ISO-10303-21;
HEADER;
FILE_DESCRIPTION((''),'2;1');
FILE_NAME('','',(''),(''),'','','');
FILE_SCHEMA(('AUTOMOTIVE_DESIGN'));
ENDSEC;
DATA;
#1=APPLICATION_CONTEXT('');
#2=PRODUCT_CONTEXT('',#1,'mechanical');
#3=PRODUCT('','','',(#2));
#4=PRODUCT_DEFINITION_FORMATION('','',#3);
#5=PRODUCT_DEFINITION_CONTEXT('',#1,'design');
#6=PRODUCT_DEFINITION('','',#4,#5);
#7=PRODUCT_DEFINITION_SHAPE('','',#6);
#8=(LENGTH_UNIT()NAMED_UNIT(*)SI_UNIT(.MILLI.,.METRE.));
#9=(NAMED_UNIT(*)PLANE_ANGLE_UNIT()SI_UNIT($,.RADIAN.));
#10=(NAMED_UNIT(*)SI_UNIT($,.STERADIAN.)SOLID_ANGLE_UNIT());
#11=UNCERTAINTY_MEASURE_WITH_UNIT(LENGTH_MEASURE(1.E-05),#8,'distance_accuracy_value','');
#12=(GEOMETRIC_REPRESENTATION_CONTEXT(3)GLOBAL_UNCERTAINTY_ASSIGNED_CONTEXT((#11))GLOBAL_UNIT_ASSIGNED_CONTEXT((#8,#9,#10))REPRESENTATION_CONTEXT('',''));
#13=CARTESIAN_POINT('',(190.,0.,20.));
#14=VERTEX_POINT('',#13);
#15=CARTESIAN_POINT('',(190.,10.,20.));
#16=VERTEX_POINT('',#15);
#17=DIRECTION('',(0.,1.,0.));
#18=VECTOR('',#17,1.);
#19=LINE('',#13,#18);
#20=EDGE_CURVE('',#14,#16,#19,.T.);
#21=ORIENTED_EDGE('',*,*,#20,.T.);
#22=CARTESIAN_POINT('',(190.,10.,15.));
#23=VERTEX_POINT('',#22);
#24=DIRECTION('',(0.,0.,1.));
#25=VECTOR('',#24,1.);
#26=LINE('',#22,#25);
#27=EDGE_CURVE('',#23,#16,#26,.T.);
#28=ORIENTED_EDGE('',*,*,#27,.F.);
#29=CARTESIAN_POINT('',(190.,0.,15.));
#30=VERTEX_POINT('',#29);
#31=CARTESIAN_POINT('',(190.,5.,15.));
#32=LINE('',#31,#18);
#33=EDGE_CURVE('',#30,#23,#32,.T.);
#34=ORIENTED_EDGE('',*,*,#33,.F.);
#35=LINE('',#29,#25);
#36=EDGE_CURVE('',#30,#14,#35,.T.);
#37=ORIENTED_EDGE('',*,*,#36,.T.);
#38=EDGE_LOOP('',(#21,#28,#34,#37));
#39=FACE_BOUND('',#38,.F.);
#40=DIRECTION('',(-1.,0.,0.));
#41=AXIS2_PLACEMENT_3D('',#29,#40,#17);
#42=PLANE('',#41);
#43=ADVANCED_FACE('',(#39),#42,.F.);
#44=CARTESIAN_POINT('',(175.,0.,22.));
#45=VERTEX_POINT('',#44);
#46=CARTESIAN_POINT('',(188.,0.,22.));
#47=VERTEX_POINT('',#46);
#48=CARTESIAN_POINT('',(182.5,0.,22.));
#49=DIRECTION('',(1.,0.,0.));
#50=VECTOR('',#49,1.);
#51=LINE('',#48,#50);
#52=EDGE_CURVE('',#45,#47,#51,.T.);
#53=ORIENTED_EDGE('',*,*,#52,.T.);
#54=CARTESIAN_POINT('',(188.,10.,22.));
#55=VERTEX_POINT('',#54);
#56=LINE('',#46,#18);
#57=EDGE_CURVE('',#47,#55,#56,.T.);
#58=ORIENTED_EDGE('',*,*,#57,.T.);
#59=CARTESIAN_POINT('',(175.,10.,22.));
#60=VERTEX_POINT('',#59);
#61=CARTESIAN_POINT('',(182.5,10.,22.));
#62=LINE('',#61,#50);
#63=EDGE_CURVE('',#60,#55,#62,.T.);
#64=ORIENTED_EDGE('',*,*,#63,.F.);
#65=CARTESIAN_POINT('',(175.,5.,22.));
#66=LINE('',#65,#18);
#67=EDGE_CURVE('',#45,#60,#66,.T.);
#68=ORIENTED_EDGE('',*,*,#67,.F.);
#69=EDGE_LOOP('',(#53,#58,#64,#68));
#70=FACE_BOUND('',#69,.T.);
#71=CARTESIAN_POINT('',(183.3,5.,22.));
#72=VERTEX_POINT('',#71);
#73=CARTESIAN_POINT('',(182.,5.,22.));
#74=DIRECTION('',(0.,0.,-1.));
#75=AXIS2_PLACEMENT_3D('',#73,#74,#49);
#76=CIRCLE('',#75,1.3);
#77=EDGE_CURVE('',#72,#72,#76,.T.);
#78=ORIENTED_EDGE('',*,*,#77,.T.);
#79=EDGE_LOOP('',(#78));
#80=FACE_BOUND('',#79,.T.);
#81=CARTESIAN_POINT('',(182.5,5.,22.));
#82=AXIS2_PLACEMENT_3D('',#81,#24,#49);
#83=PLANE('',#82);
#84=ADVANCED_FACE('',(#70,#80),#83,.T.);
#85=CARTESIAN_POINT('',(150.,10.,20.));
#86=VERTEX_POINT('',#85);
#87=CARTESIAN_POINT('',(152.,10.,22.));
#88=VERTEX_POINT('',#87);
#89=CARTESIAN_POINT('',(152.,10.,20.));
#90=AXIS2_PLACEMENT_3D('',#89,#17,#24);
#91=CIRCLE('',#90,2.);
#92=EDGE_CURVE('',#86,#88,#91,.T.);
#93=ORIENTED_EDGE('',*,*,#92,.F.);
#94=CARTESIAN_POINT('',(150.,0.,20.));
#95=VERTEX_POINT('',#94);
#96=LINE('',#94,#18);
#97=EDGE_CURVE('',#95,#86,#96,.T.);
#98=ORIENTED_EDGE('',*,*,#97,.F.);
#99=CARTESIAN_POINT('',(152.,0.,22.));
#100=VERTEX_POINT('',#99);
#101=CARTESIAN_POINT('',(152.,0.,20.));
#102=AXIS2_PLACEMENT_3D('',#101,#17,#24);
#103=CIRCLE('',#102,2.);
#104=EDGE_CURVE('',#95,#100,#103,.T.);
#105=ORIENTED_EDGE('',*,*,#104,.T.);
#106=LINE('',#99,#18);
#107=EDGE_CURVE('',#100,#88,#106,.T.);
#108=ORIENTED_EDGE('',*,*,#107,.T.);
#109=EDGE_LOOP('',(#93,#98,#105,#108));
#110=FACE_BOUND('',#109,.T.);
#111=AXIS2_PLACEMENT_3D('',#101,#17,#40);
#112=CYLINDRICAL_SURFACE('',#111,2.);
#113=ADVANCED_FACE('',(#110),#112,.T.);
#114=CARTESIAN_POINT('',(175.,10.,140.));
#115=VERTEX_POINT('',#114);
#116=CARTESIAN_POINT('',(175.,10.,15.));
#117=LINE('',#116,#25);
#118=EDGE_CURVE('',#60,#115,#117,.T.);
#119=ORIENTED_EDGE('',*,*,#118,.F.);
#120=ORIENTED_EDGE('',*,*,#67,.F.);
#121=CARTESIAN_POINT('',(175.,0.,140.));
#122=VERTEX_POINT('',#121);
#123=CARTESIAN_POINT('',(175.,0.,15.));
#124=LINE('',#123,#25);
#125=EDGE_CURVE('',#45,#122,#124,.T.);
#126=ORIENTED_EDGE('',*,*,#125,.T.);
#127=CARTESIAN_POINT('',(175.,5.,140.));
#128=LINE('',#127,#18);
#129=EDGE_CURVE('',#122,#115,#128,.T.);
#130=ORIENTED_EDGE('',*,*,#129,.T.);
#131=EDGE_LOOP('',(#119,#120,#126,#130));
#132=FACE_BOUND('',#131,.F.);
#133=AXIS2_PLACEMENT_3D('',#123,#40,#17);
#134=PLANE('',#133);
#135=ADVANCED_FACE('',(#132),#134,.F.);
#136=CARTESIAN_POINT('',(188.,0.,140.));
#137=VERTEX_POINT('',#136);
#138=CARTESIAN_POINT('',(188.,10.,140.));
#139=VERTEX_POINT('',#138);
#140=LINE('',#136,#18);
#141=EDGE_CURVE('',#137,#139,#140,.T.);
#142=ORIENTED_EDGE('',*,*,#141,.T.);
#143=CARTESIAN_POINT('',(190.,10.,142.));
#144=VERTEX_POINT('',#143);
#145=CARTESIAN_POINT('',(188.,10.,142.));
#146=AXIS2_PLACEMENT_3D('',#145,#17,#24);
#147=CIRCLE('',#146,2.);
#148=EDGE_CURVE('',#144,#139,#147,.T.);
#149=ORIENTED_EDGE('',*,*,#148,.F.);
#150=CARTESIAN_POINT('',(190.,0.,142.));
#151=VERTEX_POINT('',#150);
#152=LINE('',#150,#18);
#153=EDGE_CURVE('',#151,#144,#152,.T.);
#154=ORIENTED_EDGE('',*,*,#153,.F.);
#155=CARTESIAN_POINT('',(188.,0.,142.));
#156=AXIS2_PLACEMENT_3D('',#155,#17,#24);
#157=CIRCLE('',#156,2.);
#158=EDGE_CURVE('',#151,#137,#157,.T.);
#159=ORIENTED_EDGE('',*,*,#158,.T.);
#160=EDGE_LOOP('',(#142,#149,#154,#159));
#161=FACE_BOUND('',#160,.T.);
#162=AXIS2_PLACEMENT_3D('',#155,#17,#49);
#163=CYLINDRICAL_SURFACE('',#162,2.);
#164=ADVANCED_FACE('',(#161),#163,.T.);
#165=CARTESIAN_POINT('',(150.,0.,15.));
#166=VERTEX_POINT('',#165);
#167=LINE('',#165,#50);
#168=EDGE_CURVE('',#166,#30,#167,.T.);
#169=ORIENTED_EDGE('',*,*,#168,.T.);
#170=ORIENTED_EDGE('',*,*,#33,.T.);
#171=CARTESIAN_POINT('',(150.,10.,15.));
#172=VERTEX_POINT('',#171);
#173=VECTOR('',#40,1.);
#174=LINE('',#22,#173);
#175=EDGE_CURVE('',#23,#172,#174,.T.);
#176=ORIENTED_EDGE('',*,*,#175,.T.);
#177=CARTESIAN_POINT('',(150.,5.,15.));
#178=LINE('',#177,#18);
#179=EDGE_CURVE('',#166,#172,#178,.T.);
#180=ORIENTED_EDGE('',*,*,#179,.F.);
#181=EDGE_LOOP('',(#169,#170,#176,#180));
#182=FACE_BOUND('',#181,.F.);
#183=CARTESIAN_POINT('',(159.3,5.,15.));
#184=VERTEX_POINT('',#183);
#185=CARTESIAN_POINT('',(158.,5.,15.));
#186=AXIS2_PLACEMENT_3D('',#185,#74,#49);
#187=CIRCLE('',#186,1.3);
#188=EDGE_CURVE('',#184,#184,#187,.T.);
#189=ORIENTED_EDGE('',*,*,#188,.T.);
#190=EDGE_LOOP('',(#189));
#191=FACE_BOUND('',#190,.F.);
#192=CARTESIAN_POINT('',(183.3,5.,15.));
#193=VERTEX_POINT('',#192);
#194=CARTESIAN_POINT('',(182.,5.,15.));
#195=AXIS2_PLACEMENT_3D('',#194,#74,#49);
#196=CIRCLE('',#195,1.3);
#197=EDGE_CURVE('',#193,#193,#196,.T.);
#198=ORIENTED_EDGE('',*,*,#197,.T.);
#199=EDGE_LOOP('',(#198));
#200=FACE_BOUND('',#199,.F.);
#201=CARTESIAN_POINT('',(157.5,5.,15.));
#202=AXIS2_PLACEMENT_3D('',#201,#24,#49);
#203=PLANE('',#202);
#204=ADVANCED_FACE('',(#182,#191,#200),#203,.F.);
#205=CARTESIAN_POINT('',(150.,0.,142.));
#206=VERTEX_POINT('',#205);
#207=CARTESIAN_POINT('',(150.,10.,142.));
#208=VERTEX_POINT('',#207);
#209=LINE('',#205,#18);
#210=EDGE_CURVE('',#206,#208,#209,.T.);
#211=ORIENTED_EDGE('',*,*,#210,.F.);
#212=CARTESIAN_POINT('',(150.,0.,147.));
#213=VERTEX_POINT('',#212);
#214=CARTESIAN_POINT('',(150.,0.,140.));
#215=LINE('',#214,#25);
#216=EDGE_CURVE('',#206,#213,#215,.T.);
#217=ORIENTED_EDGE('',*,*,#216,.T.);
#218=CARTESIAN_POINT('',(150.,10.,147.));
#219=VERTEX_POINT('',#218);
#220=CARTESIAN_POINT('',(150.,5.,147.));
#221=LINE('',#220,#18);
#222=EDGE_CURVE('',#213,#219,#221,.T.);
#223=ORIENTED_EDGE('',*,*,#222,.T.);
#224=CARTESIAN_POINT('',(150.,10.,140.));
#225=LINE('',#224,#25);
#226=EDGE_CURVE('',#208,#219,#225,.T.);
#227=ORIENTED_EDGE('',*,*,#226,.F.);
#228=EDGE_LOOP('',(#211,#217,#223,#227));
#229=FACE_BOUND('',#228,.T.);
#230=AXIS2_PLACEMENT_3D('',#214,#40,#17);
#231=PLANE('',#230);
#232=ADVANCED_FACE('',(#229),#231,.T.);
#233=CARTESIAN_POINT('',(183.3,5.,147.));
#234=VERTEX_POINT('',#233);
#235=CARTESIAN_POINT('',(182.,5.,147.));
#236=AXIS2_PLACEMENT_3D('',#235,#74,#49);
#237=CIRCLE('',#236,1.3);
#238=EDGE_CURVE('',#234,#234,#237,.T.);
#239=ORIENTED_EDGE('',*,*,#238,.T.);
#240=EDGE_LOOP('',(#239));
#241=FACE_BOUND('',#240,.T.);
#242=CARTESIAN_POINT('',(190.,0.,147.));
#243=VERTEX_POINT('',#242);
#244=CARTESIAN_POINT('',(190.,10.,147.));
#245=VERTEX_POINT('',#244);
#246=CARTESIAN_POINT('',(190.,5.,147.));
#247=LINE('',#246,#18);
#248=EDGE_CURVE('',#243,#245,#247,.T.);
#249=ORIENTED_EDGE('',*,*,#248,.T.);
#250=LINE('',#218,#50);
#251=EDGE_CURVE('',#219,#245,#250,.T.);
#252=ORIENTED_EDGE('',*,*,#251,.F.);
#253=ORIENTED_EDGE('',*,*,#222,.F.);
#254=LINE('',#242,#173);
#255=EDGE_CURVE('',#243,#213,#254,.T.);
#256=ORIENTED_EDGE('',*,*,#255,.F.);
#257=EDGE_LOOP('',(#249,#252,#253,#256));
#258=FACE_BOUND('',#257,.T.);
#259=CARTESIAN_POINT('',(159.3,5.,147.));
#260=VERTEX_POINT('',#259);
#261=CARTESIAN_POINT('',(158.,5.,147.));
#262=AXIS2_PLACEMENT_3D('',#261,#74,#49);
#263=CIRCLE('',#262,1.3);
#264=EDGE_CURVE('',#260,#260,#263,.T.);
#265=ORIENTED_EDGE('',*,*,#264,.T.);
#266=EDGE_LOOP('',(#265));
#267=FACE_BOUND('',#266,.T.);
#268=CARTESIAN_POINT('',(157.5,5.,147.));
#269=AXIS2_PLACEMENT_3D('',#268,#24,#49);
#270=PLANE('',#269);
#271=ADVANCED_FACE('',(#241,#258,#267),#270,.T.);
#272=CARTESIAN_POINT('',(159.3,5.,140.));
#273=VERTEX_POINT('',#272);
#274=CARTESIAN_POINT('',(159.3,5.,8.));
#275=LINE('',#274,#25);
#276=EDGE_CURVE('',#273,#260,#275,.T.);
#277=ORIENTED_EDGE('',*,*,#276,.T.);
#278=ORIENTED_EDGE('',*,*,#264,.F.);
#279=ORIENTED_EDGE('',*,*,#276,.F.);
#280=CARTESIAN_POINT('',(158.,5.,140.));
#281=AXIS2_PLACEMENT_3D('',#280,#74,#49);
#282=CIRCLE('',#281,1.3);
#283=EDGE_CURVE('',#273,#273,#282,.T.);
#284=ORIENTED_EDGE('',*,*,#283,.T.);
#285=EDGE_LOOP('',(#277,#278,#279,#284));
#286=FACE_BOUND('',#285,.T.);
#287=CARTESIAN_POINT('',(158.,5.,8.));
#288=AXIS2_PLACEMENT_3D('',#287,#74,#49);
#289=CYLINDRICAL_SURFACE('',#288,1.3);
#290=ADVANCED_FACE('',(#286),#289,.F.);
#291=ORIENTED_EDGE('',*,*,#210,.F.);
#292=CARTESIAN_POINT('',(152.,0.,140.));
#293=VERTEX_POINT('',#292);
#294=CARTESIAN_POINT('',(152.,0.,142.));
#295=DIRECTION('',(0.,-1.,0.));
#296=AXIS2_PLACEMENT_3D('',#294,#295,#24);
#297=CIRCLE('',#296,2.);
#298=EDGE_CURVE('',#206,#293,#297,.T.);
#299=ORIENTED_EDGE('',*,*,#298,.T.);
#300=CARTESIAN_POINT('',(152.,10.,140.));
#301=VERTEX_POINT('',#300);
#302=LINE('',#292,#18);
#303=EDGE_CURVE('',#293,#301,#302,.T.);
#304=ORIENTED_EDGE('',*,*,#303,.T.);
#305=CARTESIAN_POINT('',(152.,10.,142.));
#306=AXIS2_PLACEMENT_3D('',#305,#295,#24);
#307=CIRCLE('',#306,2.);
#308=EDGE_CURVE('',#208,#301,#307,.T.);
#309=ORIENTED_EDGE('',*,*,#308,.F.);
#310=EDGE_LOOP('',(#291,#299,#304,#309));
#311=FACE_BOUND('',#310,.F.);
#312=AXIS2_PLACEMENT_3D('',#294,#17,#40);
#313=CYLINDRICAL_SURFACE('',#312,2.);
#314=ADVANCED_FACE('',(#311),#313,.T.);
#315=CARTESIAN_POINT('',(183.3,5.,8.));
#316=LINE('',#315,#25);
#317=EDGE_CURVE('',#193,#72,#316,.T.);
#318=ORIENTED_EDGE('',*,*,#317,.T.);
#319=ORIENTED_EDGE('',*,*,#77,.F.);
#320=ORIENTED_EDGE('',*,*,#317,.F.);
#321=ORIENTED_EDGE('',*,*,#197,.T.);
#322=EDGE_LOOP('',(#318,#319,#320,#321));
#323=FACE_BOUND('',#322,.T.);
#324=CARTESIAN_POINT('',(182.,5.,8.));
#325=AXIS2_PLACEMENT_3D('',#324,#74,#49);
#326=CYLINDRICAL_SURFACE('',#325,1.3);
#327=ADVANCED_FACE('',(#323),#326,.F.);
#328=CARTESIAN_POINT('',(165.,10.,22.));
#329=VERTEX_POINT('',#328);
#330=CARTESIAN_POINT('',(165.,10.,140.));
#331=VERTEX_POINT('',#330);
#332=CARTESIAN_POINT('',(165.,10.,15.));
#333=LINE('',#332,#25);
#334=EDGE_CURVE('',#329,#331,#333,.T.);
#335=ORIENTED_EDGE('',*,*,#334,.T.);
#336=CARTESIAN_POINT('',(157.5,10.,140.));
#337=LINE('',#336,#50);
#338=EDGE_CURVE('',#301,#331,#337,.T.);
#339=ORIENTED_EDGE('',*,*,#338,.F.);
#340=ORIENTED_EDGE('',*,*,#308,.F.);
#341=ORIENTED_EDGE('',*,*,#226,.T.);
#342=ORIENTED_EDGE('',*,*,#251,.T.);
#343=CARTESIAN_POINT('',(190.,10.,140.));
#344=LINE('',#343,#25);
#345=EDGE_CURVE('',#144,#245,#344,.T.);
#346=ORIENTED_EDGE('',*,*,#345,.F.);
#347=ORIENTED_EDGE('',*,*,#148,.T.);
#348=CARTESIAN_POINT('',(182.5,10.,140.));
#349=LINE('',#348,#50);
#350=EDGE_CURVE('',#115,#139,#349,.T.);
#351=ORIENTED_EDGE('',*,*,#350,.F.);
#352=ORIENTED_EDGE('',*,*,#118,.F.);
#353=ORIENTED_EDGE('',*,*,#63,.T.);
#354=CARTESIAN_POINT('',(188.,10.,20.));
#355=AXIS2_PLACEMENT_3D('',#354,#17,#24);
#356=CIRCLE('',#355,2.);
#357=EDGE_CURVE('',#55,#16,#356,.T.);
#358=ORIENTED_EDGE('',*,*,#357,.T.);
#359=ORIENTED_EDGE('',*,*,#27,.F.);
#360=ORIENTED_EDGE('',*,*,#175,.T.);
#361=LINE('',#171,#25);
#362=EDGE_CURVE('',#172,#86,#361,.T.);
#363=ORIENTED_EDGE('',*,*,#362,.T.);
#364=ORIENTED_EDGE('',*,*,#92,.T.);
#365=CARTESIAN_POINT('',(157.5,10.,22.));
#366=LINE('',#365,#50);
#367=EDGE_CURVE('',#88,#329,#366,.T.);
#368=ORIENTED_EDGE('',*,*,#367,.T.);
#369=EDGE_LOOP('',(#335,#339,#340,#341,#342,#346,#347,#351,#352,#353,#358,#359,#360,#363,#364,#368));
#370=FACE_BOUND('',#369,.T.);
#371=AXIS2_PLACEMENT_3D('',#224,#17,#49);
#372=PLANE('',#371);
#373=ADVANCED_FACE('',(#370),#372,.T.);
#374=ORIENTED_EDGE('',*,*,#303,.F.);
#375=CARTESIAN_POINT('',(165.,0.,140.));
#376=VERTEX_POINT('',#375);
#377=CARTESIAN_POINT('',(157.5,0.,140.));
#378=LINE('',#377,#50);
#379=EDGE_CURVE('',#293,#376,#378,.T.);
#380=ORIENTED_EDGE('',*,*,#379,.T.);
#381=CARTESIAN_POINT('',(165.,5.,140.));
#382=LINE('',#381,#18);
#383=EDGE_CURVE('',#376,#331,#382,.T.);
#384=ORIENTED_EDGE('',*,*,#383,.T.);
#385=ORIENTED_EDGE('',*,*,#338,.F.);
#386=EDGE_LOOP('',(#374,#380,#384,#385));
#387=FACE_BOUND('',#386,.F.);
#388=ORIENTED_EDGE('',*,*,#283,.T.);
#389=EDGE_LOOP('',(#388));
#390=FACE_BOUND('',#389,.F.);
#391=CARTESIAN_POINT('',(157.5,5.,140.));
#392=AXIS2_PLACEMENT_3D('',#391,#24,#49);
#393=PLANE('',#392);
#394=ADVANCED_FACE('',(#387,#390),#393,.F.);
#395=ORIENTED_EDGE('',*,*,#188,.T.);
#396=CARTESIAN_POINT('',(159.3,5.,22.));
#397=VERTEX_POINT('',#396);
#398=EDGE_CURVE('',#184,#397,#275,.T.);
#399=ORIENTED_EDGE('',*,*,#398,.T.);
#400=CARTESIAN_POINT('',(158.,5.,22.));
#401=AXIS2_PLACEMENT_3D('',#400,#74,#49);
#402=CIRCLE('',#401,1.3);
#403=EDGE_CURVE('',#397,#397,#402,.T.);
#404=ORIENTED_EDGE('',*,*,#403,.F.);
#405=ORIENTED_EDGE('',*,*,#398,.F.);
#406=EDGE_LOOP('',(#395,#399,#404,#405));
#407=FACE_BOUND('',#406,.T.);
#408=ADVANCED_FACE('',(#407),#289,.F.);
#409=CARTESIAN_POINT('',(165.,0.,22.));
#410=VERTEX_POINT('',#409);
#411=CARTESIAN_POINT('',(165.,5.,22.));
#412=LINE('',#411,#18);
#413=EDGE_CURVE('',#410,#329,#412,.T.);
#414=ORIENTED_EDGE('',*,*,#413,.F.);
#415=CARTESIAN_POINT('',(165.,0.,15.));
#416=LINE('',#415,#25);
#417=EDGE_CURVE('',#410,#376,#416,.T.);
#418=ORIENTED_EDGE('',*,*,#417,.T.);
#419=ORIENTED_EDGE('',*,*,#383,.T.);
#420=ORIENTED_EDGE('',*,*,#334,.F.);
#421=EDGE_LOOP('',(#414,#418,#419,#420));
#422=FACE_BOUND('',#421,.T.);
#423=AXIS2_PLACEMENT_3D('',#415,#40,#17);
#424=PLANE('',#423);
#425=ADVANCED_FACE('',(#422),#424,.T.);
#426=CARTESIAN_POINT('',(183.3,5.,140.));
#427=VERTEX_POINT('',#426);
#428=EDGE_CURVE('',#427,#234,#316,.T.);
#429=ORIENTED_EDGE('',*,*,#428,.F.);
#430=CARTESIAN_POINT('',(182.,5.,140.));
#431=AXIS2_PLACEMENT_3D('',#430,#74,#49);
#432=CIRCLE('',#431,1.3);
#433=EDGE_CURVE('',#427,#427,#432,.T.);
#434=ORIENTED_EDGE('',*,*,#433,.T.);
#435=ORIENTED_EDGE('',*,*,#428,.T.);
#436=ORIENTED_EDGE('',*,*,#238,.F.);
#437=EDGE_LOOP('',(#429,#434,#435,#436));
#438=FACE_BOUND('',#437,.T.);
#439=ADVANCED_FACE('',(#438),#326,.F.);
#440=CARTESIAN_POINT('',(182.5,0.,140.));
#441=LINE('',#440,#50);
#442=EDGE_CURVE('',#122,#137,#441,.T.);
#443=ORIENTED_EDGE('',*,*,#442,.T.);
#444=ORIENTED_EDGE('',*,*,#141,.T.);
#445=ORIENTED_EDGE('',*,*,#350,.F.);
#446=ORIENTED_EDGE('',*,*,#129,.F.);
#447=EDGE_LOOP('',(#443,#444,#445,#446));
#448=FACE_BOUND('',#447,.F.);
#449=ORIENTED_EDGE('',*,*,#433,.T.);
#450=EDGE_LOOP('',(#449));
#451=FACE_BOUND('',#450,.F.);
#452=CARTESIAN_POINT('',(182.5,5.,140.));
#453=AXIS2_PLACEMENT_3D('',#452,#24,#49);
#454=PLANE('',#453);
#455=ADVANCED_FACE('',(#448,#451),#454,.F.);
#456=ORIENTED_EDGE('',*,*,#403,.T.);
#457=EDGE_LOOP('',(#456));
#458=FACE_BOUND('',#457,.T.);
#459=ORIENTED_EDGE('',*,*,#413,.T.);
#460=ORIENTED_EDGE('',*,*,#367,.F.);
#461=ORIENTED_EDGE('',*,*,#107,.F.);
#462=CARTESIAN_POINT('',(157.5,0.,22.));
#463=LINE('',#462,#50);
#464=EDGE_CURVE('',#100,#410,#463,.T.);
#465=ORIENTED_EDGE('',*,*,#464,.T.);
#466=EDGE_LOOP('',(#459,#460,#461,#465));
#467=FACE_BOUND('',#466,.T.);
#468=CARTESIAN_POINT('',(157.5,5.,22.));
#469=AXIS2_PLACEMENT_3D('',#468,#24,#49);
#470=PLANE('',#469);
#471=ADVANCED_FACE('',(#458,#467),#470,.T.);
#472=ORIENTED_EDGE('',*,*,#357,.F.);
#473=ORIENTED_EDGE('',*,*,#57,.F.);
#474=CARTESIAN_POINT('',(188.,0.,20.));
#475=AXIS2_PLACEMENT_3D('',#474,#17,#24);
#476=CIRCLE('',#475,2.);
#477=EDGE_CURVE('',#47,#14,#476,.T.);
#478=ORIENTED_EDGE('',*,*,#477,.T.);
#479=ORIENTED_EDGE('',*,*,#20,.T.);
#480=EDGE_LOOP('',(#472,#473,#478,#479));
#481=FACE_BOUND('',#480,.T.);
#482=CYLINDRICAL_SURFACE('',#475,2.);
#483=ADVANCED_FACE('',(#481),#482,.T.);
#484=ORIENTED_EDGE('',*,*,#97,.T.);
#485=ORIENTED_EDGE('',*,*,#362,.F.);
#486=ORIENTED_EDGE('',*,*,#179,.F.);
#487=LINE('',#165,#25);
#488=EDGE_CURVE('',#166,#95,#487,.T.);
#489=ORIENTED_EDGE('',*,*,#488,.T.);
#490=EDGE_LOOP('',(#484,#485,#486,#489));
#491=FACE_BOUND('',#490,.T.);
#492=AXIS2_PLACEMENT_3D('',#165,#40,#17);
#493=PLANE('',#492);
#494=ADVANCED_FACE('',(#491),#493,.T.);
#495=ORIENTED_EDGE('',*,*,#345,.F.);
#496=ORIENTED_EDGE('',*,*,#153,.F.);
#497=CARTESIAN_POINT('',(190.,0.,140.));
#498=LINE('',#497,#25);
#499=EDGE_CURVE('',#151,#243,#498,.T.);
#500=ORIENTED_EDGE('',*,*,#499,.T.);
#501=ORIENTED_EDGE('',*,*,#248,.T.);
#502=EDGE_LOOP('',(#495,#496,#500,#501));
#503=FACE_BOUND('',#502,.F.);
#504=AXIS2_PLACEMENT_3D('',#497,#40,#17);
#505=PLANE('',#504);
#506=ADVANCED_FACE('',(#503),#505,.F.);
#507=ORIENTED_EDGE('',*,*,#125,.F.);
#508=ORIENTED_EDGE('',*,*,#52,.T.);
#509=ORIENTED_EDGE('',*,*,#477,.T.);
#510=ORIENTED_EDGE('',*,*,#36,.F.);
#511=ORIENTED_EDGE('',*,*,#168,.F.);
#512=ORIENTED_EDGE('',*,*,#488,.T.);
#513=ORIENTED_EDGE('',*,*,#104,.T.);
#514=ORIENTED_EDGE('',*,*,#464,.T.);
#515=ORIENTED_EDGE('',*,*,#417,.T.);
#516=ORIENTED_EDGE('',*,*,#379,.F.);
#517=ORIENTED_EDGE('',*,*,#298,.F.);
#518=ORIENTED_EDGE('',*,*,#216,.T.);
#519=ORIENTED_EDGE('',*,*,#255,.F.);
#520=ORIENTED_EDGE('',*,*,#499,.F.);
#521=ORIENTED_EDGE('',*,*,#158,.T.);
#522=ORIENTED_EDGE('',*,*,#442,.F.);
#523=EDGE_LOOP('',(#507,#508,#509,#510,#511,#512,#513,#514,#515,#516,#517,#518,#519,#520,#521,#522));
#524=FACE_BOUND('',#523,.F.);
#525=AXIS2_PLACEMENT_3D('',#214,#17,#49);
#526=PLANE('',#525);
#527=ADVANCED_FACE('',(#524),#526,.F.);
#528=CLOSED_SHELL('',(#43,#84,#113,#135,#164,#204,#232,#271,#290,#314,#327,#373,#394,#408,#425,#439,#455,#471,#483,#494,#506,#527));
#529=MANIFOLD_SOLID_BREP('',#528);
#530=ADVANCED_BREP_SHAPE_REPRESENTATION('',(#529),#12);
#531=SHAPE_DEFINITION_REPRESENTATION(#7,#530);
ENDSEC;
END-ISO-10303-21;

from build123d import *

# Parameters (mm, degrees)
CYLINDER010_R     = 1.3
CYLINDER010_DEPTH = 146
CYLINDER008_R     = 1.3
CYLINDER008_DEPTH = 146
BOX067_W          = 15
BOX067_H          = 10
BOX067_DEPTH      = 7
BOX068_W          = 10
BOX068_H          = 10
BOX068_DEPTH      = 132
BOX070_W          = 15
BOX070_H          = 10
BOX070_DEPTH      = 7
BOX071_W          = 15
BOX071_H          = 10
BOX071_DEPTH      = 7
BOX069_W          = 15
BOX069_H          = 10
BOX069_DEPTH      = 7
FILLET001_R       = 2


with BuildPart() as cilindro010:
    # Cylinder010 → Cylinder010 (new body)
    with BuildSketch(Plane(origin=(182, 5, 8), x_dir=(1, 0, 0), z_dir=(0, 0, 1))):
        Circle(CYLINDER010_R)
    extrude(amount=CYLINDER010_DEPTH)


with BuildPart() as cilindro008:
    # Cylinder008 → Cylinder008 (new body)
    with BuildSketch(Plane(origin=(158, 5, 8), x_dir=(1, 0, 0), z_dir=(0, 0, 1))):
        Circle(CYLINDER008_R)
    extrude(amount=CYLINDER008_DEPTH)


with BuildPart() as cubo030:
    # Box067 → Box067 (new body)
    with BuildSketch(Plane(origin=(175, 0, 15), x_dir=(1, 0, 0), z_dir=(0, 0, 1))):
        with Locations((7.5, 5)):
            Rectangle(BOX067_W, BOX067_H)
    extrude(amount=BOX067_DEPTH)


with BuildPart() as cubo031:
    # Box068 → Box068 (new body)
    with BuildSketch(Plane(origin=(165, 0, 15), x_dir=(1, 0, 0), z_dir=(0, 0, 1))):
        with Locations((5, 5)):
            Rectangle(BOX068_W, BOX068_H)
    extrude(amount=BOX068_DEPTH)


with BuildPart() as cubo033:
    # Box070 → Box070 (new body)
    with BuildSketch(Plane(origin=(150, 0, 15), x_dir=(1, 0, 0), z_dir=(0, 0, 1))):
        with Locations((7.5, 5)):
            Rectangle(BOX070_W, BOX070_H)
    extrude(amount=BOX070_DEPTH)


with BuildPart() as cubo034:
    # Box071 → Box071 (new body)
    with BuildSketch(Plane(origin=(150, 0, 140), x_dir=(1, 0, 0), z_dir=(0, 0, 1))):
        with Locations((7.5, 5)):
            Rectangle(BOX071_W, BOX071_H)
    extrude(amount=BOX071_DEPTH)


with BuildPart() as pilar002:
    # Box069 → Box069 (new body)
    with BuildSketch(Plane(origin=(175, 0, 140), x_dir=(1, 0, 0), z_dir=(0, 0, 1))):
        with Locations((7.5, 5)):
            Rectangle(BOX069_W, BOX069_H)
    extrude(amount=BOX069_DEPTH)

    # Fusion009: union Cubo030, Cubo031, Cubo033, Cubo034
    add(cubo030.part)
    add(cubo031.part)
    add(cubo033.part)
    add(cubo034.part)

    # Fillet001
    fillet001_edges = [pilar002.edges().sort_by_distance(p)[0] for p in [
        (190, 5, 140),
        (190, 5, 22),
        (150, 5, 22),
        (150, 5, 140),
    ]]
    fillet(fillet001_edges, radius=FILLET001_R)

    # Cut022: cut Cilindro008
    add(cilindro008.part, mode=Mode.SUBTRACT)

    # Cut025: cut Cilindro010
    add(cilindro010.part, mode=Mode.SUBTRACT)


solid = pilar002.part
